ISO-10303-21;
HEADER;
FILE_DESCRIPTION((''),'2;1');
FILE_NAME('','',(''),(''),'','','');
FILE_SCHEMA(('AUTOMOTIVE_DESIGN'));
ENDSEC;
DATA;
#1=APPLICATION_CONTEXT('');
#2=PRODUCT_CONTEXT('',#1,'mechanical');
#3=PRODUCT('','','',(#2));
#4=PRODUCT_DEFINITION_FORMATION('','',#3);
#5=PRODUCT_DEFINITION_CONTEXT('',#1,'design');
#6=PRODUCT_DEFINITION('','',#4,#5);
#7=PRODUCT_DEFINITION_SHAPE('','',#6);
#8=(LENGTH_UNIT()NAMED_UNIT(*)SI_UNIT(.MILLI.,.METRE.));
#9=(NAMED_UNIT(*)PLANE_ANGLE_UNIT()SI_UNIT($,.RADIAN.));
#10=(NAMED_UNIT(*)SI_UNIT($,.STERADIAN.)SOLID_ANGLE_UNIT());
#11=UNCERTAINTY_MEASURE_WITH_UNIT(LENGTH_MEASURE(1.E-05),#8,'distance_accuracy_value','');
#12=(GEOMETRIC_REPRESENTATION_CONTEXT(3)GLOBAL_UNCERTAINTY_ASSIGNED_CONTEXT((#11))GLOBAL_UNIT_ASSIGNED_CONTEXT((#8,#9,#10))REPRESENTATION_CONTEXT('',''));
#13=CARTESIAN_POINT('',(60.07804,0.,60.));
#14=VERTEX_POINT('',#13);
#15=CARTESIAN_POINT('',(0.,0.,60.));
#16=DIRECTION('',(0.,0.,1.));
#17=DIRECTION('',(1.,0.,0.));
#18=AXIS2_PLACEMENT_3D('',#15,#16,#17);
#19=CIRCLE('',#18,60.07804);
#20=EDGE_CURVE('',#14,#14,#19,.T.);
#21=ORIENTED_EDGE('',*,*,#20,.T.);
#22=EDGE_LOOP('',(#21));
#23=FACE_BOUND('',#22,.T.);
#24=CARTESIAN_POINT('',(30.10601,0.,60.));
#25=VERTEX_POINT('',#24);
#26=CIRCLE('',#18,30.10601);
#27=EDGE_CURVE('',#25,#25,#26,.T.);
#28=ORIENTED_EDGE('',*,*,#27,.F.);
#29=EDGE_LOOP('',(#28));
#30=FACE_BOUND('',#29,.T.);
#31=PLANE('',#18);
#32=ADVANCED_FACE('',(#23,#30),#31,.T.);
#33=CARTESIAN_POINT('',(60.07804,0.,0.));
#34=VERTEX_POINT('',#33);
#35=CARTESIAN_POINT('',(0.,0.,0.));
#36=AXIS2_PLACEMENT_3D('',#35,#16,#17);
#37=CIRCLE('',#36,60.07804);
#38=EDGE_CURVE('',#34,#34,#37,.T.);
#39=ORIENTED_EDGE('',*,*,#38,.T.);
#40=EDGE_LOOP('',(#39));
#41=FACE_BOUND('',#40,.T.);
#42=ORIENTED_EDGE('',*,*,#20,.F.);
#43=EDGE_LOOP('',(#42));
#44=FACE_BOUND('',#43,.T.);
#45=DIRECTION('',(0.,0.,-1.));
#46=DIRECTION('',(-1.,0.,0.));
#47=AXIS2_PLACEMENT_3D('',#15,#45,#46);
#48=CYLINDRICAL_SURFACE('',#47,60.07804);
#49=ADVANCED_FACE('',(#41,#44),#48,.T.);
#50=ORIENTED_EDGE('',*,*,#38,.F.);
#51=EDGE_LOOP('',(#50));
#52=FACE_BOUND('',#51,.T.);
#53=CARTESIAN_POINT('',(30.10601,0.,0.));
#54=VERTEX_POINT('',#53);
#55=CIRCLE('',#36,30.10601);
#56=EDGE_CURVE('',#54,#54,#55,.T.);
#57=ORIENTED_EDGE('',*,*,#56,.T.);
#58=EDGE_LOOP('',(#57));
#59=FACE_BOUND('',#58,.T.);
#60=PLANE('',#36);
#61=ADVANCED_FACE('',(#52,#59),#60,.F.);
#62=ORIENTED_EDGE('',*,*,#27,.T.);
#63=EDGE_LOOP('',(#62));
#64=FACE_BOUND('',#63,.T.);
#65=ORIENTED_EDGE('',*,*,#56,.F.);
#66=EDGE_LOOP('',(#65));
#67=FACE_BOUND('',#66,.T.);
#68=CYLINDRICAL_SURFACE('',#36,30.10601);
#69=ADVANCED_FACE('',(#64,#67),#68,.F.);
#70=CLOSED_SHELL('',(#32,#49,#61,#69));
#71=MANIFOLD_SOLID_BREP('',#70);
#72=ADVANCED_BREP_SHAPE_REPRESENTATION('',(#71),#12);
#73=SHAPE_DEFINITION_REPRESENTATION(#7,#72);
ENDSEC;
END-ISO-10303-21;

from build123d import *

# Parameters (mm, degrees)
SKETCH1_R          = 60.078040142
EXTRUDE1_DEPTH     = 60
SKETCH2_R          = 30.106009883
CUT_EXTRUDE1_DEPTH = 60


with BuildPart() as part:
    # Sketch1 → Extrude1 (new body)
    with BuildSketch(Plane.XY):
        Circle(SKETCH1_R)
    extrude(amount=EXTRUDE1_DEPTH)

    # Sketch2 → Cut-Extrude1 (cut)
    with BuildSketch(Plane.XY.offset(60)):
        Circle(SKETCH2_R)
    extrude(amount=-CUT_EXTRUDE1_DEPTH, mode=Mode.SUBTRACT)


solid = part.part
